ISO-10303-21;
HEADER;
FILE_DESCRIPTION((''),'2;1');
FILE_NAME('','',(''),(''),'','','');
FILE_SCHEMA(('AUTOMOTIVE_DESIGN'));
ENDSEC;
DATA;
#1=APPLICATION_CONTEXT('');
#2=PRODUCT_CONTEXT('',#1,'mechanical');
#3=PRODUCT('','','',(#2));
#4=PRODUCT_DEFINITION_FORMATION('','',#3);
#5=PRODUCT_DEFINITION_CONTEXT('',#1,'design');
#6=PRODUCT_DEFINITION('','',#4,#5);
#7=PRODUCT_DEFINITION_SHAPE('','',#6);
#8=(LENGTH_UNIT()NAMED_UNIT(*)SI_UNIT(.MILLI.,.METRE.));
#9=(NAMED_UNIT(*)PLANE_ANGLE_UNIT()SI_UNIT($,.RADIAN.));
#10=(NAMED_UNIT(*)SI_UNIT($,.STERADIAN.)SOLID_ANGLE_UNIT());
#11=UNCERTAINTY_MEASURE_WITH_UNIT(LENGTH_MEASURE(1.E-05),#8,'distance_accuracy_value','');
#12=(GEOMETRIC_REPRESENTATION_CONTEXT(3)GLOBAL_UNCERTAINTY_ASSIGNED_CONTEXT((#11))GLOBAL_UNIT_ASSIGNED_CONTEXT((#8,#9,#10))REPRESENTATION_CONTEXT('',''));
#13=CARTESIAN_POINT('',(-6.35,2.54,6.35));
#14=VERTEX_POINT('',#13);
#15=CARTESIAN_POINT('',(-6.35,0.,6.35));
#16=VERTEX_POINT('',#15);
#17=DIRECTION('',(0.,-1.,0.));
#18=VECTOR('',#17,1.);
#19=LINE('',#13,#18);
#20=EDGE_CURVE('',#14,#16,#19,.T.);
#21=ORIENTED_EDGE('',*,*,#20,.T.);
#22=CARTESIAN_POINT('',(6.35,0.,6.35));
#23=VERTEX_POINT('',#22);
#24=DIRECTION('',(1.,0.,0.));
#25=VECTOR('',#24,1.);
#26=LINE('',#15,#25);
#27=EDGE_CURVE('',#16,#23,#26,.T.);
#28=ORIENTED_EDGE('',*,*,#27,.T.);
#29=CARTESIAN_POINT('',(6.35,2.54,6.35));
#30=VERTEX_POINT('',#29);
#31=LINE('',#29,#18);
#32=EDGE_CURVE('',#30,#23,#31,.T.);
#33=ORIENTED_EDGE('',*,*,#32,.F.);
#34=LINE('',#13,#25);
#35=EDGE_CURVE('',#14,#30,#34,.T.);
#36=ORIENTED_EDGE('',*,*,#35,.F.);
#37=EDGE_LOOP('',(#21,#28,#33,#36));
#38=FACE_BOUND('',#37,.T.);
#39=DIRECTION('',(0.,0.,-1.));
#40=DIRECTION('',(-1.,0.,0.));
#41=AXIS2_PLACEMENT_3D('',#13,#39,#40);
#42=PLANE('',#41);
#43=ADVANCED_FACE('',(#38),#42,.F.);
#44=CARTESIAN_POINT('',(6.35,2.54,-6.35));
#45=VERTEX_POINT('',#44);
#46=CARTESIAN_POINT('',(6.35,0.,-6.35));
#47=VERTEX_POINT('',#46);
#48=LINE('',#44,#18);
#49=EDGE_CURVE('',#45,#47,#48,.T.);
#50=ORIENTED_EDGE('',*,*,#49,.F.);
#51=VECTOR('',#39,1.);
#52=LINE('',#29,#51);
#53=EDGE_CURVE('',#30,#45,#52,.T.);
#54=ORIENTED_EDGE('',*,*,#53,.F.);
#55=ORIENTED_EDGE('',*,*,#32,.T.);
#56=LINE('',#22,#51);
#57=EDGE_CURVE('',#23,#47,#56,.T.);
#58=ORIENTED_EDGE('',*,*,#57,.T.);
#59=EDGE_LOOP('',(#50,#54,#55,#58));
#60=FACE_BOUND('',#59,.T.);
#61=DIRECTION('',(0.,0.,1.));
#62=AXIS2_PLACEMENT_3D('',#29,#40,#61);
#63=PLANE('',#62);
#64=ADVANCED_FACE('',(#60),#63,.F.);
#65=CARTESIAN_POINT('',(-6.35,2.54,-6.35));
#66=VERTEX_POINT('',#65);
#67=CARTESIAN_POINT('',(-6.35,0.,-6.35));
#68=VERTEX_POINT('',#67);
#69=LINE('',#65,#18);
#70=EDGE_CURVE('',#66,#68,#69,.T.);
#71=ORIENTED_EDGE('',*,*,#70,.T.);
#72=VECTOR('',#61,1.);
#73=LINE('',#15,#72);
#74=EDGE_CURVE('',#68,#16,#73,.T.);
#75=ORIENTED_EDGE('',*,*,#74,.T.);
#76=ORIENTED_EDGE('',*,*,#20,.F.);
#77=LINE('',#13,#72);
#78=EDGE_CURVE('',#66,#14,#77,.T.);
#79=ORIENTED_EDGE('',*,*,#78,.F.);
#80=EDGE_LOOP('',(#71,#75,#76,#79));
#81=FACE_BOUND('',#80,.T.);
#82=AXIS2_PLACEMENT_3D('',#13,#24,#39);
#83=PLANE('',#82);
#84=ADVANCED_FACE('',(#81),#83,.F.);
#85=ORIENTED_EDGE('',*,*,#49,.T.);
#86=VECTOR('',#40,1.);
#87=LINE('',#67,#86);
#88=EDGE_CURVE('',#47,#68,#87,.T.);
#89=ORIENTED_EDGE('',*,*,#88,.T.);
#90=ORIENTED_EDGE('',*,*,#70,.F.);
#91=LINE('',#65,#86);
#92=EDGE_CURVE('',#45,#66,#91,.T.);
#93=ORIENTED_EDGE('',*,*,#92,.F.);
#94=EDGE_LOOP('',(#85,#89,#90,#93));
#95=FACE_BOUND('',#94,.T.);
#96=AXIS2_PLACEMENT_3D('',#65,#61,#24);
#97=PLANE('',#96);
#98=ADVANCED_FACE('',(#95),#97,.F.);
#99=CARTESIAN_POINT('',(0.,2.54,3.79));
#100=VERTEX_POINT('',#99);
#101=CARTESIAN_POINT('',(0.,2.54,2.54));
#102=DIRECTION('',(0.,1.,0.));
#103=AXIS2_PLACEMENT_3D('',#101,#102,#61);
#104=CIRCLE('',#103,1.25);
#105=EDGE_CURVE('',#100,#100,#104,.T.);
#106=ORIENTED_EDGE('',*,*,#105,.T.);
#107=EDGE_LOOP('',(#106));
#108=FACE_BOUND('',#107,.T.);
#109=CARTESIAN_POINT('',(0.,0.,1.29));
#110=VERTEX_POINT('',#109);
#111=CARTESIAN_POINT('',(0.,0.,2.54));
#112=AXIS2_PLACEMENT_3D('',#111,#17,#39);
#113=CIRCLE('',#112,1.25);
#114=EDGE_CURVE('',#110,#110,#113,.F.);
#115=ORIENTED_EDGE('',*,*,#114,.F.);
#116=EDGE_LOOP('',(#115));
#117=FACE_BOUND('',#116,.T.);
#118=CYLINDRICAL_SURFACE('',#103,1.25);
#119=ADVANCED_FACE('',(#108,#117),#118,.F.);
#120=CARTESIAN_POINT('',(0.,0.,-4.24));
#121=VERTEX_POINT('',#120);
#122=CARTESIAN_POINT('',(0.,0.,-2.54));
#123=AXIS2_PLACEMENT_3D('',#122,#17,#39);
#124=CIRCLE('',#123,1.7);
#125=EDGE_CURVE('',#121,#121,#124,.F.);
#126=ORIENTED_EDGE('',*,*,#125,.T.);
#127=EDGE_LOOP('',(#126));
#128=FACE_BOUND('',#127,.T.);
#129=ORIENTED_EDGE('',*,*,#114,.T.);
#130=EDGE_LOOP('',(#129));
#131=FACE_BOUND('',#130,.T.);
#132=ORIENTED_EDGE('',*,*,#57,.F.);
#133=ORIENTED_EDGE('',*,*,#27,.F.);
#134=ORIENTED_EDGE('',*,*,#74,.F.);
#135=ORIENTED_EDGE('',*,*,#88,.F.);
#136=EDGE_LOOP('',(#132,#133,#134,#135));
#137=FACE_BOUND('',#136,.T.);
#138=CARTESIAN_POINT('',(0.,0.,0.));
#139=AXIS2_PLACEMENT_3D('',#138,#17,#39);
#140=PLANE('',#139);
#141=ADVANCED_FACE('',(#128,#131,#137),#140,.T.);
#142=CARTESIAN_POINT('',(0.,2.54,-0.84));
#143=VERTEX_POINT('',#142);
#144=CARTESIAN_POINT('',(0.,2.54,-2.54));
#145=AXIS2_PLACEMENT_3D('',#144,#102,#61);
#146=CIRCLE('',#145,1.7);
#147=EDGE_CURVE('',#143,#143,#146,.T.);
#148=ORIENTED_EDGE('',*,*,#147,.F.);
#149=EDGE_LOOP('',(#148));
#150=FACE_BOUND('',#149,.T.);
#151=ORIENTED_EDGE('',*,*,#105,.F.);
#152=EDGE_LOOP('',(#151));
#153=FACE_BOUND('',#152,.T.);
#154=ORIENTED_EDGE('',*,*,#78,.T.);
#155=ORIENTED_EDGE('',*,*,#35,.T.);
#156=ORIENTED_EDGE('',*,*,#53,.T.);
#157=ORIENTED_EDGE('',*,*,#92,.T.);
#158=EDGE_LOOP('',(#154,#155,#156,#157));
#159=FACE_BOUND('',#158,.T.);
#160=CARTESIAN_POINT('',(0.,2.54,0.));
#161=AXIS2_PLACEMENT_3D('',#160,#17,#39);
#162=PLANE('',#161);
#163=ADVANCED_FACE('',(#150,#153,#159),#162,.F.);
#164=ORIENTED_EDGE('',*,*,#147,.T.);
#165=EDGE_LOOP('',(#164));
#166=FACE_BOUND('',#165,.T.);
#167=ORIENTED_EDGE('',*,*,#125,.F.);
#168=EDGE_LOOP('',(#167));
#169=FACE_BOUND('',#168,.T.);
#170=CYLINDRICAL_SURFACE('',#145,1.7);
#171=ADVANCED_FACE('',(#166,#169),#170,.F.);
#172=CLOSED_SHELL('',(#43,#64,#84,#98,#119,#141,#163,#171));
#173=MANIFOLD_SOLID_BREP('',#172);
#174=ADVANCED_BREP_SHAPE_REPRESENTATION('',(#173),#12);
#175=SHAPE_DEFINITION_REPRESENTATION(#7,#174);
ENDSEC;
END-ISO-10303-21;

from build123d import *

# Parameters (mm, degrees)
SKETCH1_W                   = 12.7
SKETCH1_H                   = 12.7
BOSS_EXTRUDE1_DEPTH         = 2.54
M3_CLEARANCE_HOLE1_D        = 3.4
TAP_DRILL_FOR_M3X0_5_TAP1_D = 2.5


with BuildPart() as part:
    # Sketch1 → Boss-Extrude1 (new body)
    with BuildSketch(Plane(origin=(0, 0, 0), x_dir=(1, 0, 0), z_dir=(0, 1, 0))):
        Rectangle(SKETCH1_W, SKETCH1_H)
    extrude(amount=BOSS_EXTRUDE1_DEPTH)

    # M3 Clearance Hole1 (through all)
    with Locations(Plane(origin=(0, 2.54, -2.54), x_dir=(0, 0, 1), z_dir=(0, 1, 0))):
        with Locations((0, 0)):
            Hole(M3_CLEARANCE_HOLE1_D / 2)

    # Tap Drill for M3x0.5 Tap1 (through all)
    with Locations(Plane(origin=(0, 2.54, 2.54), x_dir=(0, 0, 1), z_dir=(0, 1, 0))):
        with Locations((0, 0)):
            Hole(TAP_DRILL_FOR_M3X0_5_TAP1_D / 2)


solid = part.part
